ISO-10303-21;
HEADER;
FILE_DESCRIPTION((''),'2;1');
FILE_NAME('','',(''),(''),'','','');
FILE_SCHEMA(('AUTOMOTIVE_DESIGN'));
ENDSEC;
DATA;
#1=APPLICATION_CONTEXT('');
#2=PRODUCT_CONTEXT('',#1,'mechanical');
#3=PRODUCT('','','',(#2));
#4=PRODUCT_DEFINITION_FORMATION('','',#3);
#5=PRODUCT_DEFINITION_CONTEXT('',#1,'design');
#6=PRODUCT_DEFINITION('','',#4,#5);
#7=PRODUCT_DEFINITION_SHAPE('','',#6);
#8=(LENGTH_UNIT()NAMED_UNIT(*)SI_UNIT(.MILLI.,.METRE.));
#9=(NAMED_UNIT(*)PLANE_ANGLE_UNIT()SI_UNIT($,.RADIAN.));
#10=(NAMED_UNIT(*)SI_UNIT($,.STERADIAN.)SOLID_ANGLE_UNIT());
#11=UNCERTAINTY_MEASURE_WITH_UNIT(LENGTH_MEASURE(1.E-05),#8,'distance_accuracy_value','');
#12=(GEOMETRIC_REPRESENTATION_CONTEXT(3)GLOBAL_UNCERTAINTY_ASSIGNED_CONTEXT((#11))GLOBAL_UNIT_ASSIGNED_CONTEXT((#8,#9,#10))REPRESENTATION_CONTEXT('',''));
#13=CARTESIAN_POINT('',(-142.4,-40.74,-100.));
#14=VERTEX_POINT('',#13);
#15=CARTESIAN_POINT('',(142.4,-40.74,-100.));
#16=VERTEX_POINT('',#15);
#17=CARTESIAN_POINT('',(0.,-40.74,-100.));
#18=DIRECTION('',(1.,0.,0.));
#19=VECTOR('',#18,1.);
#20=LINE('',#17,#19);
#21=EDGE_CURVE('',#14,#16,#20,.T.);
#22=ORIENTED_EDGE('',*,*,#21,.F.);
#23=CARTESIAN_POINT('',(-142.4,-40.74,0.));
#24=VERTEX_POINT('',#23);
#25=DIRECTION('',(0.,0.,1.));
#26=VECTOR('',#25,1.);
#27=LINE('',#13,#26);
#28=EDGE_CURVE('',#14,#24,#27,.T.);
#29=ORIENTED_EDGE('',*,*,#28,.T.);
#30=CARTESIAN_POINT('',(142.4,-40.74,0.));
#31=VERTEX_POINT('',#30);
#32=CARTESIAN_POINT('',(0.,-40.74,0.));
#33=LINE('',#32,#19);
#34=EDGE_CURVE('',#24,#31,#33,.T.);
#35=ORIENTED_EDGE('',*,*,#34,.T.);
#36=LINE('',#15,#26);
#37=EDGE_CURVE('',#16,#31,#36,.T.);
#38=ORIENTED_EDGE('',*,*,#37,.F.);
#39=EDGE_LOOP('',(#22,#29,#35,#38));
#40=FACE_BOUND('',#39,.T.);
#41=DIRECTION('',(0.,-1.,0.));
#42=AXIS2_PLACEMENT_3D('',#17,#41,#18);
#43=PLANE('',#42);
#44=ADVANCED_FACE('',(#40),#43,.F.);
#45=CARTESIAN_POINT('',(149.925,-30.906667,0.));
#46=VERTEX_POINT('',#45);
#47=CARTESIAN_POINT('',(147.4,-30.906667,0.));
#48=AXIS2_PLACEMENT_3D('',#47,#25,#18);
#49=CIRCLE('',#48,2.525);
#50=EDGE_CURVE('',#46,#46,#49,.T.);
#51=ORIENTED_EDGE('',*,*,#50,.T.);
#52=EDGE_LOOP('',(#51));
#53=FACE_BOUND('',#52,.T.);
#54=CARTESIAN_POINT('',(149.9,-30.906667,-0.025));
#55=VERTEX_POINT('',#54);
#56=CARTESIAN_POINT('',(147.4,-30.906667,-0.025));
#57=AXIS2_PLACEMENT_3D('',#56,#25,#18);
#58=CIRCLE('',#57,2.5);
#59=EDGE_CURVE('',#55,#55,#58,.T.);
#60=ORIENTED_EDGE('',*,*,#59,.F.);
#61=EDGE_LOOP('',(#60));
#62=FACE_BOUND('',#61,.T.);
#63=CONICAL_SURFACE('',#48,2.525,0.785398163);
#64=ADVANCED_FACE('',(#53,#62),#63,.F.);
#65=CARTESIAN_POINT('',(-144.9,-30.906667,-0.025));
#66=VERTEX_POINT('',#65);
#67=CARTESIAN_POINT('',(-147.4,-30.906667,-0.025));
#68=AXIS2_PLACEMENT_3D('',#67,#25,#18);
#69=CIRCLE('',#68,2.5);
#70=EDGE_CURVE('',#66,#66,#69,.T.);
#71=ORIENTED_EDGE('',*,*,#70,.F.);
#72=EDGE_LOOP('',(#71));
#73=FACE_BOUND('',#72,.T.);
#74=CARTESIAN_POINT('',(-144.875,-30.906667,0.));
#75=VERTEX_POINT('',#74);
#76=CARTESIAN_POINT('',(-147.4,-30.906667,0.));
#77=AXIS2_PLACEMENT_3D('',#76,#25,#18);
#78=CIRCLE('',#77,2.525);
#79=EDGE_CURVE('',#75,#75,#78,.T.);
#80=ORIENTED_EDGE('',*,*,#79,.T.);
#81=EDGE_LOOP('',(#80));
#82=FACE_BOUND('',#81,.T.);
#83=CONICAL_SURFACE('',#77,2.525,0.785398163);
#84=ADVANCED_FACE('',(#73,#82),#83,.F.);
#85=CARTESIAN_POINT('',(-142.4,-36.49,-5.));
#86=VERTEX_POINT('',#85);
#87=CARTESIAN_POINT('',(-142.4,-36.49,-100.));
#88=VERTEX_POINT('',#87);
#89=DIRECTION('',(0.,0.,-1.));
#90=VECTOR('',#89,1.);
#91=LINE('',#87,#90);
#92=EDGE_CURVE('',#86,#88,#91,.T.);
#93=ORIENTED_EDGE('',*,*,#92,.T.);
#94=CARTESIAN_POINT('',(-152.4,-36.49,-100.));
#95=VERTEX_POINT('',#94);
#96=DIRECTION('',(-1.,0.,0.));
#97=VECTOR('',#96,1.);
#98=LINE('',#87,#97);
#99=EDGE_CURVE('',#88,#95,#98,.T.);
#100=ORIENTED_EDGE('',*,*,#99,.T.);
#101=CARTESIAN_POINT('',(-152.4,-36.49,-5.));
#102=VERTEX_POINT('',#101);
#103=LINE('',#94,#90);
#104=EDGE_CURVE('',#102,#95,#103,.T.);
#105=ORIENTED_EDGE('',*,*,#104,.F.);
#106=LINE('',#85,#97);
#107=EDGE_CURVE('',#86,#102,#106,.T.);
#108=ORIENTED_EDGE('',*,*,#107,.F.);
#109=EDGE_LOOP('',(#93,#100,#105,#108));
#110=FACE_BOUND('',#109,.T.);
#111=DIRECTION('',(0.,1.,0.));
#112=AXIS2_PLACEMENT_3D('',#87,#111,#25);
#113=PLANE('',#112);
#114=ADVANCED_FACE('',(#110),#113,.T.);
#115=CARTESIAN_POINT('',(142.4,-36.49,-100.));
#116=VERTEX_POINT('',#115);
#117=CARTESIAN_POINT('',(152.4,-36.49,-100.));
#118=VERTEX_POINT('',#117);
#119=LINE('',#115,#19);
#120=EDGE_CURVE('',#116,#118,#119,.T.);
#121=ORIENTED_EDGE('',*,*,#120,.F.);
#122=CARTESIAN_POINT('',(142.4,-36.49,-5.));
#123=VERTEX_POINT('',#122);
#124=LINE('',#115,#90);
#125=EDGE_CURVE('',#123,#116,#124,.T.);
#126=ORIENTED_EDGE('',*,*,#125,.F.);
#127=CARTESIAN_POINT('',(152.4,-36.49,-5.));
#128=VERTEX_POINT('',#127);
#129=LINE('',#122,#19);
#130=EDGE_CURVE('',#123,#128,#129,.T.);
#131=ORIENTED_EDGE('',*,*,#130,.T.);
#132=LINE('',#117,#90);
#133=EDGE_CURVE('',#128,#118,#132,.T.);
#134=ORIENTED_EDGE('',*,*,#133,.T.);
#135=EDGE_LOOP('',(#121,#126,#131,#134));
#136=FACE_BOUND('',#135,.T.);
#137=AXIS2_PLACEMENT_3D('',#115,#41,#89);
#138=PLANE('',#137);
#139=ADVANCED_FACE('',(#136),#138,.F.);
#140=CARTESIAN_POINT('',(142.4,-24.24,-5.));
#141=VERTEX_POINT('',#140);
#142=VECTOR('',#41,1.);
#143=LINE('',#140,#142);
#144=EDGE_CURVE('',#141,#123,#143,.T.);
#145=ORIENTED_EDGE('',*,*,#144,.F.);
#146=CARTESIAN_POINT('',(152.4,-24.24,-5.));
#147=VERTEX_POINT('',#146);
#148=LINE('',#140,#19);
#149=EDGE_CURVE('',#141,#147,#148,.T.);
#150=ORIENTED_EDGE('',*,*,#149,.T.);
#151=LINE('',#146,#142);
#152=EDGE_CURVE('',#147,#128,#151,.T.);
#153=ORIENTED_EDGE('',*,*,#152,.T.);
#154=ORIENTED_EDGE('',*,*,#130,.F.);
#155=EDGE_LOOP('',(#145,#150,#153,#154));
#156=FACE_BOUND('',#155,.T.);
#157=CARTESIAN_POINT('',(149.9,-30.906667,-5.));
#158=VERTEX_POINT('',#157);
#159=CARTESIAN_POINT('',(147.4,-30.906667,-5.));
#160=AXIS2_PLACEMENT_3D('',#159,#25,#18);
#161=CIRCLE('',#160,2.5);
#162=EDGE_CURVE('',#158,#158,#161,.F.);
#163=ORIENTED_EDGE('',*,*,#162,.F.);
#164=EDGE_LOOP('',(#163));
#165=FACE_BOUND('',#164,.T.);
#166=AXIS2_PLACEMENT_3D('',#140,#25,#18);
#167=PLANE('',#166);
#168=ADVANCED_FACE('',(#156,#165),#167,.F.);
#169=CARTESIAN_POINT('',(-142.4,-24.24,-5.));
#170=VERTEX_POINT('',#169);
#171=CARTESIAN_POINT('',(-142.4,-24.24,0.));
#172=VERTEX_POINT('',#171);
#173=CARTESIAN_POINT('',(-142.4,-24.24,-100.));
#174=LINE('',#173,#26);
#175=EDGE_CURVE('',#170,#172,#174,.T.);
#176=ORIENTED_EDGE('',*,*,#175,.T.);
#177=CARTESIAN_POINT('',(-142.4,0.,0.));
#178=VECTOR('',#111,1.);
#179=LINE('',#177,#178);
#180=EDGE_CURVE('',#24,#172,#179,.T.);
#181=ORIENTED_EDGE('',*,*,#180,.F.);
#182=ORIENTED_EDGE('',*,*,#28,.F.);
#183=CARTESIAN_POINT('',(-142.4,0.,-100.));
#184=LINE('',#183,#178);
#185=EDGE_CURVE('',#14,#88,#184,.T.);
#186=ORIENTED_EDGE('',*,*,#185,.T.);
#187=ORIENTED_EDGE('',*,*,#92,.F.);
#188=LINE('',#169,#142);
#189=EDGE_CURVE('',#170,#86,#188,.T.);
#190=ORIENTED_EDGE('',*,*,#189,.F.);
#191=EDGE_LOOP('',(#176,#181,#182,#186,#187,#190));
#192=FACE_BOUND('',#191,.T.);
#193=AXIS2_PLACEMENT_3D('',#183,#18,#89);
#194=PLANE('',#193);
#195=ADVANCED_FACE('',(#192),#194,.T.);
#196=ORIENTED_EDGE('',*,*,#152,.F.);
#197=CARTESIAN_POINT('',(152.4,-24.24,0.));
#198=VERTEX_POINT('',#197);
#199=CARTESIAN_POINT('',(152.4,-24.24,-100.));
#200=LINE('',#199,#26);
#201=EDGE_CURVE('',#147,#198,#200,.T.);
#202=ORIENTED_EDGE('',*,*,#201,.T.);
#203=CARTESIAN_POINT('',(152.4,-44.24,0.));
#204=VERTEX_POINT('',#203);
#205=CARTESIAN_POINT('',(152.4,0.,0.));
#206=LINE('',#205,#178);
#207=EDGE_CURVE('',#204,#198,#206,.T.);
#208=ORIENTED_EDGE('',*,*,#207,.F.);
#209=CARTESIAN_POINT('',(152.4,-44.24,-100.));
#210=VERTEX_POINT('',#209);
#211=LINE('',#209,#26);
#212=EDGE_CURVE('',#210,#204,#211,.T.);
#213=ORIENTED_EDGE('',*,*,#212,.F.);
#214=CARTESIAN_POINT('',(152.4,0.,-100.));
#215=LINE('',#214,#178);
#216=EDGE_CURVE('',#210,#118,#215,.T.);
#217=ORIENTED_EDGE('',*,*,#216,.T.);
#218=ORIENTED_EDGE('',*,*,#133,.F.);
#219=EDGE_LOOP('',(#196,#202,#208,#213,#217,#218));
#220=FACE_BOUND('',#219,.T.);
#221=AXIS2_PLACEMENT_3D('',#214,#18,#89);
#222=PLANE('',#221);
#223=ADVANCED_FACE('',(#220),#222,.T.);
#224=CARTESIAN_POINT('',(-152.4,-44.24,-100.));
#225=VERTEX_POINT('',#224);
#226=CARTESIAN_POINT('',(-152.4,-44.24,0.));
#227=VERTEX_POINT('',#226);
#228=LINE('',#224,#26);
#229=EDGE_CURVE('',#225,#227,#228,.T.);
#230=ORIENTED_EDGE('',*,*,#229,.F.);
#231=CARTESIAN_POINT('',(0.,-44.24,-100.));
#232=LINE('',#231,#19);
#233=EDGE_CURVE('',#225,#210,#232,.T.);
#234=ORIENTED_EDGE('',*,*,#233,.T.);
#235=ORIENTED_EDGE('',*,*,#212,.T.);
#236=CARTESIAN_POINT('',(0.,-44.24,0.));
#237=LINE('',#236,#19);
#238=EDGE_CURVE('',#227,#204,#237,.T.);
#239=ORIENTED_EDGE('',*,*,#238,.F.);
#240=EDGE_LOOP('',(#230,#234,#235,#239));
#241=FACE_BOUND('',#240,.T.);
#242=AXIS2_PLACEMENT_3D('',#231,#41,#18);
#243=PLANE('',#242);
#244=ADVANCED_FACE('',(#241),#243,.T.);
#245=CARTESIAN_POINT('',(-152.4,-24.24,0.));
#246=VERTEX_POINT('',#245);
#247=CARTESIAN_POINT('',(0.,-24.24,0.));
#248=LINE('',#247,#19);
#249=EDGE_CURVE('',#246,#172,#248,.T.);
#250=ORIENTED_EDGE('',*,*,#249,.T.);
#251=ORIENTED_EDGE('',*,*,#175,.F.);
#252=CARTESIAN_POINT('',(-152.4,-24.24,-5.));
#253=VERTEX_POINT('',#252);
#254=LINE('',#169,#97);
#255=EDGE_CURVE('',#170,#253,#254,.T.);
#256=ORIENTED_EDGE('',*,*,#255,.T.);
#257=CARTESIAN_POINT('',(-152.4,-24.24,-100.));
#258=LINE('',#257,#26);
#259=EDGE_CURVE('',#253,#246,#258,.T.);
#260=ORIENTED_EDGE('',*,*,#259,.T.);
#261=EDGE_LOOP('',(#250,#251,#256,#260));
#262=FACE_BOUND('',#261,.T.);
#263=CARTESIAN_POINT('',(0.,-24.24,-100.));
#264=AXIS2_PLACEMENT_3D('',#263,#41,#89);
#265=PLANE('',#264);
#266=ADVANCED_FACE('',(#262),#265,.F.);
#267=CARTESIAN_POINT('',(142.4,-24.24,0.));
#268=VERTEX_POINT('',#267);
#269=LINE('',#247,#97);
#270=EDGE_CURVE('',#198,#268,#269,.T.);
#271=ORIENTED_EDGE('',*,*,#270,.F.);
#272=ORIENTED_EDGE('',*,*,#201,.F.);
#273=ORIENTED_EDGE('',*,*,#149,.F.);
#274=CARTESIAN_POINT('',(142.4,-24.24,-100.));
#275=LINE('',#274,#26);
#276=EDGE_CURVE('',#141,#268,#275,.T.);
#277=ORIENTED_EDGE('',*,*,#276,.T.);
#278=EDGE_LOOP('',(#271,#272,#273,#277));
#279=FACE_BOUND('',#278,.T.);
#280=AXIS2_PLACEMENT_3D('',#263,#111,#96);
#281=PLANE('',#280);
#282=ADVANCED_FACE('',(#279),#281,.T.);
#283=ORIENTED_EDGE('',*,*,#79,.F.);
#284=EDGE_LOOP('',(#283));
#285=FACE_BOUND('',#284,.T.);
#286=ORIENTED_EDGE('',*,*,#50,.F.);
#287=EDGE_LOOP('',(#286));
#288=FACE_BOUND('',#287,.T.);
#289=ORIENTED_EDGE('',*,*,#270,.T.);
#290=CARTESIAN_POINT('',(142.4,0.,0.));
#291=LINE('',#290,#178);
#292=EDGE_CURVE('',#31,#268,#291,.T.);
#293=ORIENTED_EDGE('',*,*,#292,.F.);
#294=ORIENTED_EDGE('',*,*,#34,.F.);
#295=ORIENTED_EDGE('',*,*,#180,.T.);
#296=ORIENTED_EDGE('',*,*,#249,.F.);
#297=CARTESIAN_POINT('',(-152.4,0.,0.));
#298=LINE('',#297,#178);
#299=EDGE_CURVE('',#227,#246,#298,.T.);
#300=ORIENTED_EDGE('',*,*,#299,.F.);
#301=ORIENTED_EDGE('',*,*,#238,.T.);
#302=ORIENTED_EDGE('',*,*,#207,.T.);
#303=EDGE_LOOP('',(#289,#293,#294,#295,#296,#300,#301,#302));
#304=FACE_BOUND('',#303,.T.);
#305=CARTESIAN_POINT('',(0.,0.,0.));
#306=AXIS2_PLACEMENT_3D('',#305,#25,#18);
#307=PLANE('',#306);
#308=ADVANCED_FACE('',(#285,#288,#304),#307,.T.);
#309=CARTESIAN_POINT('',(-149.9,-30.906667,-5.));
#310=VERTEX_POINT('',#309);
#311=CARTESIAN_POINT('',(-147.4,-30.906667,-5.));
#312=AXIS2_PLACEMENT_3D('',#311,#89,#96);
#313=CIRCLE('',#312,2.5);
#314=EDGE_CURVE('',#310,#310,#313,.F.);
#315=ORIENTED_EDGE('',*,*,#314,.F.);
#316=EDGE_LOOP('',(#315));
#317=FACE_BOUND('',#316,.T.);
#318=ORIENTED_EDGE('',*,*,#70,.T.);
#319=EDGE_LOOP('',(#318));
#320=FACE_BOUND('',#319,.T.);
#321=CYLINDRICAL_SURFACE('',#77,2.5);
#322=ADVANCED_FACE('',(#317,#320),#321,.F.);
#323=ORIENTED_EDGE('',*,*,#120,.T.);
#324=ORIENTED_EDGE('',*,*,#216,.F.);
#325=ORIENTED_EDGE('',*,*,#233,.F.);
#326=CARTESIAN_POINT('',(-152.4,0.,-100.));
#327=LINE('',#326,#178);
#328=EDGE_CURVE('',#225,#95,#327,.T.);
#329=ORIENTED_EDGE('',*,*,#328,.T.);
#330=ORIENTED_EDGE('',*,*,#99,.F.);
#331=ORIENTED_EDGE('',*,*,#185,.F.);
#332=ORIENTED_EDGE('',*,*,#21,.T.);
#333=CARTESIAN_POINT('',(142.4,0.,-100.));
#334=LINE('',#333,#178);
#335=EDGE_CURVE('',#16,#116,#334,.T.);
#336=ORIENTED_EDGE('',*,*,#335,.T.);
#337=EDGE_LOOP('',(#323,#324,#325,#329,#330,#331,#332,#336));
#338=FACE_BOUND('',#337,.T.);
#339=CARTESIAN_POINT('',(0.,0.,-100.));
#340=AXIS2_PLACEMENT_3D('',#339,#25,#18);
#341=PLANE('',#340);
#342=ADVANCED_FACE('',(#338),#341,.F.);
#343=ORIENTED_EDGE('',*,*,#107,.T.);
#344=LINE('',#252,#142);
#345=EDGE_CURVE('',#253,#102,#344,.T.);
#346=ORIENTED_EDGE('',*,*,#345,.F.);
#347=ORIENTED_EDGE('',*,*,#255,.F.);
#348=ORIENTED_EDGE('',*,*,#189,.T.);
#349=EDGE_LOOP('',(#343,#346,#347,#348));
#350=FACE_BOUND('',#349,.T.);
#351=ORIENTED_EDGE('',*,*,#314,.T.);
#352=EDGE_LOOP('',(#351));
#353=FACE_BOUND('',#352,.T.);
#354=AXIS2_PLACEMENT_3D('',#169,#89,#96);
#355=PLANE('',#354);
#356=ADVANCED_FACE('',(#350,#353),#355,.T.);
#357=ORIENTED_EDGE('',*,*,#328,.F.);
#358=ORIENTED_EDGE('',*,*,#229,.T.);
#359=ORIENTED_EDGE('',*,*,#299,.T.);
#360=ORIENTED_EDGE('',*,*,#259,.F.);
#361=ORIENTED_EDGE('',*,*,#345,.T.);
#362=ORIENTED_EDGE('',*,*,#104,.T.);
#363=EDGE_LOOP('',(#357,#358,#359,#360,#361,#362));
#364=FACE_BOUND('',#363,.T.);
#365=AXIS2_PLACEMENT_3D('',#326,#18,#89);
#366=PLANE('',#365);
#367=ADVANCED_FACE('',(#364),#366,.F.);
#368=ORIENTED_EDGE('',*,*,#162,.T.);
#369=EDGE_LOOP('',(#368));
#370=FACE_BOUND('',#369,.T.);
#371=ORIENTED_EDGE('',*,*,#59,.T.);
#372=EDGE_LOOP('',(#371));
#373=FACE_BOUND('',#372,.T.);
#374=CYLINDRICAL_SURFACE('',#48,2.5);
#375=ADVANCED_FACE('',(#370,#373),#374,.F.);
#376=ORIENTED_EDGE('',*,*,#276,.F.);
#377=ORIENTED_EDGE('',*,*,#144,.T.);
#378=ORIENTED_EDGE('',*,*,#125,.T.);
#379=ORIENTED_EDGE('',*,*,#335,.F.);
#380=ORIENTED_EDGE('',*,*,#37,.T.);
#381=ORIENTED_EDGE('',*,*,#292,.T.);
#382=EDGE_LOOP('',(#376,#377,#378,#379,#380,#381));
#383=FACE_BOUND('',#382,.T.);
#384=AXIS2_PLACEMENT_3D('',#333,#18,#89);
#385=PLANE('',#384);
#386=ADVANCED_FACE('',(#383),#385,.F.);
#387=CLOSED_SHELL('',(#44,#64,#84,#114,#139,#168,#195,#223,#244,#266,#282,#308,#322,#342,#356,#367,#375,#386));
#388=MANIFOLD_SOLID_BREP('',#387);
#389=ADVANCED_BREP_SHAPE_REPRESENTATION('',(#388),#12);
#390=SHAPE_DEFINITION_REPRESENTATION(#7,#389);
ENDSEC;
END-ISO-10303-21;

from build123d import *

# Parameters (mm, degrees)
SKETCH1_W                       = 10
SKETCH1_H                       = 16.5
BOSS_EXTRUDE1_DEPTH             = 100
F_5_0MM_DOWEL_HOLE3_D           = 5
F_5_0MM_DOWEL_HOLE3_DEPTH       = 100
F_5_0MM_DOWEL_HOLE3_CSINK_D     = 5.05
F_5_0MM_DOWEL_HOLE3_CSINK_ANGLE = 90
F_5_0MM_DOWEL_HOLE3_TIP         = 1.502151548
SKETCH8_R                       = 2.5
BOSS_EXTRUDE2_DEPTH             = 100
SKETCH11_W                      = 7.604101256
SKETCH11_H                      = 6.322975501
BOSS_EXTRUDE3_DEPTH             = 10
SKETCH10_W                      = 95
SKETCH10_H                      = 12.25
CUT_EXTRUDE3_DEPTH              = 10
SKETCH12_W                      = 7.319773992
SKETCH12_H                      = 6.84369113
BOSS_EXTRUDE4_DEPTH             = 5


with BuildPart() as part:
    # Sketch1 → Boss-Extrude1 (new body)
    with BuildSketch(Plane.XY):
        Polygon((-152.4, -40.74), (-142.4, -40.74), (-142.4, -24.24), (-152.4, -24.24), (-152.4, -24.840528939), align=None)
        Polygon((0, -44.24), (0, -40.74), (-142.4, -40.74), (-152.4, -40.74), (-152.4, -44.24), align=None)
        Polygon((142.4, -40.74), (0, -40.74), (0, -44.24), (152.4, -44.24), (152.4, -40.74), align=None)
        with Locations((147.4, -32.49)):
            Rectangle(SKETCH1_W, SKETCH1_H)
    extrude(amount=-BOSS_EXTRUDE1_DEPTH)

    # Ø5.0mm Dowel Hole3
    with Locations(Plane.XY):
        with Locations((-147.4, -30.906666667), (-147.4, -37.573333333), (147.4, -30.906666667), (147.4, -37.573333333)):
            CounterSinkHole(F_5_0MM_DOWEL_HOLE3_D / 2, F_5_0MM_DOWEL_HOLE3_CSINK_D / 2, depth=F_5_0MM_DOWEL_HOLE3_DEPTH, counter_sink_angle=F_5_0MM_DOWEL_HOLE3_CSINK_ANGLE)
            with Locations((0, 0, -(F_5_0MM_DOWEL_HOLE3_DEPTH + F_5_0MM_DOWEL_HOLE3_TIP / 2))):  # 118° drill point
                Cone(0, F_5_0MM_DOWEL_HOLE3_D / 2, F_5_0MM_DOWEL_HOLE3_TIP, mode=Mode.SUBTRACT)

    # Sketch8 → Boss-Extrude2 (add)
    with BuildSketch(Plane(origin=(0, 0, -100), x_dir=(-1, 0, 0), z_dir=(0, 0, -1))):
        with Locations((147.4, -37.573333333)):
            Circle(SKETCH8_R)
    boss_extrude2 = extrude(amount=-BOSS_EXTRUDE2_DEPTH)

    # Sketch11 → Boss-Extrude3 (add)
    with BuildSketch(Plane.XY):
        with Locations((-147.317312743, -37.707651596)):
            Rectangle(SKETCH11_W, SKETCH11_H)
    extrude(amount=-BOSS_EXTRUDE3_DEPTH)

    # Mirror4: Boss-Extrude2 across plane
    add(boss_extrude2.mirror(Plane(origin=(0, 0, 0), x_dir=(0, 0, 1), z_dir=(1, 0, 0))))

    # Sketch10 → Cut-Extrude3 (cut)
    with BuildSketch(Plane(origin=(152.4, 0, 0), x_dir=(0, 0, -1), z_dir=(1, 0, 0))):
        with Locations((52.5, -30.365)):
            Rectangle(SKETCH10_W, SKETCH10_H)
    cut_extrude3 = extrude(amount=-CUT_EXTRUDE3_DEPTH, mode=Mode.SUBTRACT)

    # Mirror5: Cut-Extrude3 across plane
    add(cut_extrude3.mirror(Plane(origin=(0, 0, 0), x_dir=(0, 0, 1), z_dir=(1, 0, 0))), mode=Mode.SUBTRACT)

    # Sketch12 → Boss-Extrude4 (add)
    with BuildSketch(Plane.XY):
        with Locations((147.557359199, -37.793735485)):
            Rectangle(SKETCH12_W, SKETCH12_H)
    extrude(amount=-BOSS_EXTRUDE4_DEPTH)


solid = part.part
